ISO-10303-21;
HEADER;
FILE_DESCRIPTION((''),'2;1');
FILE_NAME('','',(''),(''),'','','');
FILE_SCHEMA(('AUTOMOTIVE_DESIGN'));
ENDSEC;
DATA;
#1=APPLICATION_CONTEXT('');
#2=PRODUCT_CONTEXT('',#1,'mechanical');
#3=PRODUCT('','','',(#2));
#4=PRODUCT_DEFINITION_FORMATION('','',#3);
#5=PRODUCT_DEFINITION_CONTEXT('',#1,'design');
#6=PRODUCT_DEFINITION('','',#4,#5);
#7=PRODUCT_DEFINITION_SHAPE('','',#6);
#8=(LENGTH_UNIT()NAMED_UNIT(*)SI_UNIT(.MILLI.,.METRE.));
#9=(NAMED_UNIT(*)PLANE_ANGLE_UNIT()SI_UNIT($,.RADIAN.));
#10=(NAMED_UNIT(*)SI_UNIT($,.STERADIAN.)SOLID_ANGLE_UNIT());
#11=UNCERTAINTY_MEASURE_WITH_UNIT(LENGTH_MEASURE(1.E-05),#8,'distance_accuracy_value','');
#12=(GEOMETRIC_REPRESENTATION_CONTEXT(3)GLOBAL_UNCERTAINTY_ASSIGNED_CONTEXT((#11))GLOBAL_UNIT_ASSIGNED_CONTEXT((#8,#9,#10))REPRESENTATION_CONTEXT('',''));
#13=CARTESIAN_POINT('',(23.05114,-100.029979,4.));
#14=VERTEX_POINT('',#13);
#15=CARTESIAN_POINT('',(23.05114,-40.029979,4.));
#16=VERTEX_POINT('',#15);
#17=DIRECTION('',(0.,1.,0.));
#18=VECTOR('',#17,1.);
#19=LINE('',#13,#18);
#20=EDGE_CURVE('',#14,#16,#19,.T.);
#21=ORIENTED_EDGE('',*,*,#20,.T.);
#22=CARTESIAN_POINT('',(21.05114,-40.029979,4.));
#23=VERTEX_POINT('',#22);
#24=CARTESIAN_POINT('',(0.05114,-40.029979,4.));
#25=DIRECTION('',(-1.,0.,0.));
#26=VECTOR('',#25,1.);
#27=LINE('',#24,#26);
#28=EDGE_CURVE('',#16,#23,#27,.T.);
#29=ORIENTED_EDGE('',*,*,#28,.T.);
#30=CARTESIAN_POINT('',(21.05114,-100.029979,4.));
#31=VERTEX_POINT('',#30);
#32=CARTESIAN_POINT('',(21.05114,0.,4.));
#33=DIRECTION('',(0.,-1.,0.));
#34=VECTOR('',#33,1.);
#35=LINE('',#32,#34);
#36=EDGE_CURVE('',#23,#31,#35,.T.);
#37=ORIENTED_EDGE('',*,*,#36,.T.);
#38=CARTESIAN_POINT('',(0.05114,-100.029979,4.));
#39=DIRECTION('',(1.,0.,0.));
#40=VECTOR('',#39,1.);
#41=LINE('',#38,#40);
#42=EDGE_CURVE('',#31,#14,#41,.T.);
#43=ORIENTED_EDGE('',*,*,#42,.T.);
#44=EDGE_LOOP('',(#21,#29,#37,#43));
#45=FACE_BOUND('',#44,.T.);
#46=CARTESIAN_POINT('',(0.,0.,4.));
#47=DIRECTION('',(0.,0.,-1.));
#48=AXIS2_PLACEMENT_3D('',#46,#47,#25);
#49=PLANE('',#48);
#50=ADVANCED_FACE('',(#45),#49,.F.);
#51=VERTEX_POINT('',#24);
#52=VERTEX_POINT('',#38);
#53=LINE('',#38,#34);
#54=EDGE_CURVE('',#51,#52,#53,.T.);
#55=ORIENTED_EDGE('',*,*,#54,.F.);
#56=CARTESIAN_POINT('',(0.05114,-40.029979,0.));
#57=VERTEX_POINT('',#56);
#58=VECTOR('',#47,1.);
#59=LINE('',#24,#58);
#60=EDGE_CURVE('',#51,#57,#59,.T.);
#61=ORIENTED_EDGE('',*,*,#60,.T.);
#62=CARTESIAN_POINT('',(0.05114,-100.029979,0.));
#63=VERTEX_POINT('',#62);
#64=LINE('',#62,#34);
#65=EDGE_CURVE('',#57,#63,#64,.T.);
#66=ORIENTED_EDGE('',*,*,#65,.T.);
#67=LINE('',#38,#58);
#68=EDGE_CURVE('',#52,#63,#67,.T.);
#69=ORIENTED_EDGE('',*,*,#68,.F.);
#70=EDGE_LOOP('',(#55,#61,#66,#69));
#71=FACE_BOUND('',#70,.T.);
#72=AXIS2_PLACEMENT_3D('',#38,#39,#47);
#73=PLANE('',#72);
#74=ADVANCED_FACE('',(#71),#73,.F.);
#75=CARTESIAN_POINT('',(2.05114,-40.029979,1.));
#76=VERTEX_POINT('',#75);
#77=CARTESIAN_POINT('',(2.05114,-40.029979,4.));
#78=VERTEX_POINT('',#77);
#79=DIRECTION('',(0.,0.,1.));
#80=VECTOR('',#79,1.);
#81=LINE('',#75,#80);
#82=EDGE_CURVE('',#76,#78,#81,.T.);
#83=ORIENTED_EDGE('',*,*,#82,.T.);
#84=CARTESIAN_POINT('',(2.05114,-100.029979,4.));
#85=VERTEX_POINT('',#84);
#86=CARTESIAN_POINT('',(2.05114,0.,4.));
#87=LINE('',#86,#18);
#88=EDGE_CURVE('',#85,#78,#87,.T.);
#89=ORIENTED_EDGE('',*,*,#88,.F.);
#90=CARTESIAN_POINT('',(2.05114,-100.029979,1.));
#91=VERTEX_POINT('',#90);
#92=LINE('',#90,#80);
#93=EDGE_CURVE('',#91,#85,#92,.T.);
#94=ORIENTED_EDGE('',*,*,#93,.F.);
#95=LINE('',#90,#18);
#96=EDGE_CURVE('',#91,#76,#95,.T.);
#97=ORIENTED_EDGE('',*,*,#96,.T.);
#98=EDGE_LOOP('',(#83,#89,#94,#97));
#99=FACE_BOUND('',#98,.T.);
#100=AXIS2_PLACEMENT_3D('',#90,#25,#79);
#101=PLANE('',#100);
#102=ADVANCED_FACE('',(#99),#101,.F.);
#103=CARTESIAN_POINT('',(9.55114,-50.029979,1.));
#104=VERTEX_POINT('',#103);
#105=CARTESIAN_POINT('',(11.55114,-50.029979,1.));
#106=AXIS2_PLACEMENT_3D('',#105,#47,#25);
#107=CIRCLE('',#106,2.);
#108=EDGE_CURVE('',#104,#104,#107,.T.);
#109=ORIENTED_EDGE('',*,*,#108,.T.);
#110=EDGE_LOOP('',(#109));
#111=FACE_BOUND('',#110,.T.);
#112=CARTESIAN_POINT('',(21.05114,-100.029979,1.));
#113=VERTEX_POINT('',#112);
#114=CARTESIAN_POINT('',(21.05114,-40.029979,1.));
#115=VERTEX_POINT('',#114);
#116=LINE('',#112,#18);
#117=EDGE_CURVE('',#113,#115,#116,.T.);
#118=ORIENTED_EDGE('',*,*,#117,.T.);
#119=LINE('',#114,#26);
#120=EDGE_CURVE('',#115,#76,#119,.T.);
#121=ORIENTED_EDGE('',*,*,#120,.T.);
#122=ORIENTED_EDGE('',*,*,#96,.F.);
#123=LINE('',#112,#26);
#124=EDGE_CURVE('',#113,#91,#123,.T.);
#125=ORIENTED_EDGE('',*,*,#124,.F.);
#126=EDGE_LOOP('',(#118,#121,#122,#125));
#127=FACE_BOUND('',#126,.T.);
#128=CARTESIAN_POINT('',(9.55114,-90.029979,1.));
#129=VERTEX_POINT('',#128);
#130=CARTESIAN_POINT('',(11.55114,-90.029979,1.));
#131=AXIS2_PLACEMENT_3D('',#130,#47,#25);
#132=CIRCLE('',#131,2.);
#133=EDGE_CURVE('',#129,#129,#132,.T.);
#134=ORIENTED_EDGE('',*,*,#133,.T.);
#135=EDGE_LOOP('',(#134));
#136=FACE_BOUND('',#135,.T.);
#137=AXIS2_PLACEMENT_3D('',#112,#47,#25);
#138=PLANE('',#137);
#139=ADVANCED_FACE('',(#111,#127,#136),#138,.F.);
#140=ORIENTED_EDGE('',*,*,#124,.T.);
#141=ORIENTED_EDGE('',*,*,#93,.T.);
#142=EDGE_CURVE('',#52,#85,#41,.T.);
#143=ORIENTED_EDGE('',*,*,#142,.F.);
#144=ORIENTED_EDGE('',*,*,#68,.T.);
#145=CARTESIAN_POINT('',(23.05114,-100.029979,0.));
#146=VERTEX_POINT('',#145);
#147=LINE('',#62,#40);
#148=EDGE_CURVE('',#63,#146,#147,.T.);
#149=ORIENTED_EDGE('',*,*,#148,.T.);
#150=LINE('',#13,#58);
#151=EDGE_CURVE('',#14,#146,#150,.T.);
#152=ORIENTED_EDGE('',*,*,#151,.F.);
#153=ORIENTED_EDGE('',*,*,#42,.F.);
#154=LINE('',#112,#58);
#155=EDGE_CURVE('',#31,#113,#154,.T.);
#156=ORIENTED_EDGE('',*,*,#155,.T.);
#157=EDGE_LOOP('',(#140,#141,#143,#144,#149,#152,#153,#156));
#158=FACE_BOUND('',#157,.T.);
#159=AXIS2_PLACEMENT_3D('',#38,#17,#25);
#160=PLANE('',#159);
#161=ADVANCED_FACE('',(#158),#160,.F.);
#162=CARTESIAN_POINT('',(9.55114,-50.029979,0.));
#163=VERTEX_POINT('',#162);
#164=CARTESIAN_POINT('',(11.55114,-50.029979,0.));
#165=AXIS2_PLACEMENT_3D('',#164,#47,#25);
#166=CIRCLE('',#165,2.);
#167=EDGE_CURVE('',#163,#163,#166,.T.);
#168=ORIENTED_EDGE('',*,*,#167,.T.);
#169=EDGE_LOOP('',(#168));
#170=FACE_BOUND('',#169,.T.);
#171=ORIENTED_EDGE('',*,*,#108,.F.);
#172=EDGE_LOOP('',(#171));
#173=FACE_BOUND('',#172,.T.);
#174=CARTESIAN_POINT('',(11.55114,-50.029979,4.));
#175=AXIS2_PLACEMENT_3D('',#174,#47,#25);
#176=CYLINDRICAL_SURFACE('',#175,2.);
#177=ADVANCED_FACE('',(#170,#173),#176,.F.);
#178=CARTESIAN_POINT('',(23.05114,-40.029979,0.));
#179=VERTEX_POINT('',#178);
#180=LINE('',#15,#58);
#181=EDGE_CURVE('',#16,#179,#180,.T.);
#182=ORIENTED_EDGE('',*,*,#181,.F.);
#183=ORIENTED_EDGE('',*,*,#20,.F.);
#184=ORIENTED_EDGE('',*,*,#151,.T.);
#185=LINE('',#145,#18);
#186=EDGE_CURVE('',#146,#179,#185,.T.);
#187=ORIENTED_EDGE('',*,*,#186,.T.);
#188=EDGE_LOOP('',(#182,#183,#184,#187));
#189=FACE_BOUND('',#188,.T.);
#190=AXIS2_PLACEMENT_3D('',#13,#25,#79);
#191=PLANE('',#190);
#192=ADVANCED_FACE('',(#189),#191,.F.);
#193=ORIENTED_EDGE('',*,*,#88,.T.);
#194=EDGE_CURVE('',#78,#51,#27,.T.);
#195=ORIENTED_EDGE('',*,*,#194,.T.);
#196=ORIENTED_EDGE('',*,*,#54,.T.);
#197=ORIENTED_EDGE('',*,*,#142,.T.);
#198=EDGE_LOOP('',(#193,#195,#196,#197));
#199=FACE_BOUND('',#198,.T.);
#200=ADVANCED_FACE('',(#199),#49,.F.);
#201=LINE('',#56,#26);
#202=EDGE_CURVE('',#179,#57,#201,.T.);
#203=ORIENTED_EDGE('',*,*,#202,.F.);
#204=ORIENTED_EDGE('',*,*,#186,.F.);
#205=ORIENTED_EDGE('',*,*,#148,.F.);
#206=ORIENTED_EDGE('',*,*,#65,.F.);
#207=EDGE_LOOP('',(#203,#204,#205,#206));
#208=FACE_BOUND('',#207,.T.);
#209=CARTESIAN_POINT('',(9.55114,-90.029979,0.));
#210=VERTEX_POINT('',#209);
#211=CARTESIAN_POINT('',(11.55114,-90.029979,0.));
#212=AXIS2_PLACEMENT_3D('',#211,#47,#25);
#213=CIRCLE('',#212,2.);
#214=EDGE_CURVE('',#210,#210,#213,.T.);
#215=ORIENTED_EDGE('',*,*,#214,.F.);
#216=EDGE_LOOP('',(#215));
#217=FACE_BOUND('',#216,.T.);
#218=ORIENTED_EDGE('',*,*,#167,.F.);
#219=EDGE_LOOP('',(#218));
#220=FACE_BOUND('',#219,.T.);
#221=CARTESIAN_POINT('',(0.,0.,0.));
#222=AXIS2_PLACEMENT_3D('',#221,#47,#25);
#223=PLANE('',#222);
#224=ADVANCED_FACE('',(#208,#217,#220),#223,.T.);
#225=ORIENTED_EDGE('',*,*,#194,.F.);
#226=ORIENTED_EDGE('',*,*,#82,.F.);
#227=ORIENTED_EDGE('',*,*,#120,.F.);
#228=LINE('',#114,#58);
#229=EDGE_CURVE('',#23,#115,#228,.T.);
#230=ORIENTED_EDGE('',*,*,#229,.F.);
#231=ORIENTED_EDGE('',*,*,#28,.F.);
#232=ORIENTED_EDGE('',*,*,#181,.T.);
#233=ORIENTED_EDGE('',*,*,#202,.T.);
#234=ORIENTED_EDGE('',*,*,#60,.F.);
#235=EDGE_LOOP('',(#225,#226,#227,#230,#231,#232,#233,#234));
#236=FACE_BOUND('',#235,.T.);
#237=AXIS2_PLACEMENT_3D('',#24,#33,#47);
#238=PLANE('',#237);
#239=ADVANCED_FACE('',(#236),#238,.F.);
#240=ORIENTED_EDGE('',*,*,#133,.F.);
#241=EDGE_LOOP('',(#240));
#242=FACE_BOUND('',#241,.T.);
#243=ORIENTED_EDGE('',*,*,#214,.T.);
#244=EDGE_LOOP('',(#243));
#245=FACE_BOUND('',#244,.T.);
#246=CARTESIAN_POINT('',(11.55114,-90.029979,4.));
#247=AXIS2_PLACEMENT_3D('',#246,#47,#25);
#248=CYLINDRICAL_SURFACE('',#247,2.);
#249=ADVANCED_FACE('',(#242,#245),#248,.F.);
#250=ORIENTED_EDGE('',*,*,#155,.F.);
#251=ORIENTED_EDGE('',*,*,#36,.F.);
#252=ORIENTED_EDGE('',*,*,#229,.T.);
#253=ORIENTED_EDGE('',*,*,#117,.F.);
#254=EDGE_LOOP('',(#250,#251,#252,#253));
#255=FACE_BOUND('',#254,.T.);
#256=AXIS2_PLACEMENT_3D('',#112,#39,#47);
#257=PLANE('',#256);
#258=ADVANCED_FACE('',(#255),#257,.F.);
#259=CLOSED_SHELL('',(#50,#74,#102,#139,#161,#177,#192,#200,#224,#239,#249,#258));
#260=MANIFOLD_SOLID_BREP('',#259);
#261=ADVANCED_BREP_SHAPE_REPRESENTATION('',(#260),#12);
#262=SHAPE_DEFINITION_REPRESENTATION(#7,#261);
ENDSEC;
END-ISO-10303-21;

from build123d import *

# Parameters (mm, degrees)
SKETCH1_W           = 23
SKETCH1_H           = 60
BOSS_EXTRUDE1_DEPTH = 4
SKETCH2_W           = 19
SKETCH2_H           = 3.65261657
CUT_EXTRUDE1_DEPTH  = 65.399961729
SKETCH4_R           = 2
CUT_EXTRUDE2_DEPTH  = 103.729507508


with BuildPart() as part:
    # Sketch1 → Boss-Extrude1 (new body)
    with BuildSketch(Plane.XY):
        with Locations((11.551140333, -70.029978717)):
            Rectangle(SKETCH1_W, SKETCH1_H)
    extrude(amount=BOSS_EXTRUDE1_DEPTH)

    # Sketch2 → Cut-Extrude1 (cut, through all)
    with BuildSketch(Plane(origin=(0, -40.029978717, 0), x_dir=(1, 0, 0), z_dir=(0, 1, 0))):
        with Locations((11.551140333, -2.826308285)):
            Rectangle(SKETCH2_W, SKETCH2_H)
    extrude(amount=-CUT_EXTRUDE1_DEPTH, mode=Mode.SUBTRACT)

    # Sketch4 → Cut-Extrude2 (cut, through all)
    with BuildSketch(Plane(origin=(0, 0, 0), x_dir=(-1, 0, 0), z_dir=(0, 0, -1))):
        with Locations((-11.551140333, -50.029978717)):
            Circle(SKETCH4_R)
        with Locations((-11.551140333, -90.029978717)):
            Circle(SKETCH4_R)
    extrude(amount=-CUT_EXTRUDE2_DEPTH, mode=Mode.SUBTRACT)


solid = part.part
